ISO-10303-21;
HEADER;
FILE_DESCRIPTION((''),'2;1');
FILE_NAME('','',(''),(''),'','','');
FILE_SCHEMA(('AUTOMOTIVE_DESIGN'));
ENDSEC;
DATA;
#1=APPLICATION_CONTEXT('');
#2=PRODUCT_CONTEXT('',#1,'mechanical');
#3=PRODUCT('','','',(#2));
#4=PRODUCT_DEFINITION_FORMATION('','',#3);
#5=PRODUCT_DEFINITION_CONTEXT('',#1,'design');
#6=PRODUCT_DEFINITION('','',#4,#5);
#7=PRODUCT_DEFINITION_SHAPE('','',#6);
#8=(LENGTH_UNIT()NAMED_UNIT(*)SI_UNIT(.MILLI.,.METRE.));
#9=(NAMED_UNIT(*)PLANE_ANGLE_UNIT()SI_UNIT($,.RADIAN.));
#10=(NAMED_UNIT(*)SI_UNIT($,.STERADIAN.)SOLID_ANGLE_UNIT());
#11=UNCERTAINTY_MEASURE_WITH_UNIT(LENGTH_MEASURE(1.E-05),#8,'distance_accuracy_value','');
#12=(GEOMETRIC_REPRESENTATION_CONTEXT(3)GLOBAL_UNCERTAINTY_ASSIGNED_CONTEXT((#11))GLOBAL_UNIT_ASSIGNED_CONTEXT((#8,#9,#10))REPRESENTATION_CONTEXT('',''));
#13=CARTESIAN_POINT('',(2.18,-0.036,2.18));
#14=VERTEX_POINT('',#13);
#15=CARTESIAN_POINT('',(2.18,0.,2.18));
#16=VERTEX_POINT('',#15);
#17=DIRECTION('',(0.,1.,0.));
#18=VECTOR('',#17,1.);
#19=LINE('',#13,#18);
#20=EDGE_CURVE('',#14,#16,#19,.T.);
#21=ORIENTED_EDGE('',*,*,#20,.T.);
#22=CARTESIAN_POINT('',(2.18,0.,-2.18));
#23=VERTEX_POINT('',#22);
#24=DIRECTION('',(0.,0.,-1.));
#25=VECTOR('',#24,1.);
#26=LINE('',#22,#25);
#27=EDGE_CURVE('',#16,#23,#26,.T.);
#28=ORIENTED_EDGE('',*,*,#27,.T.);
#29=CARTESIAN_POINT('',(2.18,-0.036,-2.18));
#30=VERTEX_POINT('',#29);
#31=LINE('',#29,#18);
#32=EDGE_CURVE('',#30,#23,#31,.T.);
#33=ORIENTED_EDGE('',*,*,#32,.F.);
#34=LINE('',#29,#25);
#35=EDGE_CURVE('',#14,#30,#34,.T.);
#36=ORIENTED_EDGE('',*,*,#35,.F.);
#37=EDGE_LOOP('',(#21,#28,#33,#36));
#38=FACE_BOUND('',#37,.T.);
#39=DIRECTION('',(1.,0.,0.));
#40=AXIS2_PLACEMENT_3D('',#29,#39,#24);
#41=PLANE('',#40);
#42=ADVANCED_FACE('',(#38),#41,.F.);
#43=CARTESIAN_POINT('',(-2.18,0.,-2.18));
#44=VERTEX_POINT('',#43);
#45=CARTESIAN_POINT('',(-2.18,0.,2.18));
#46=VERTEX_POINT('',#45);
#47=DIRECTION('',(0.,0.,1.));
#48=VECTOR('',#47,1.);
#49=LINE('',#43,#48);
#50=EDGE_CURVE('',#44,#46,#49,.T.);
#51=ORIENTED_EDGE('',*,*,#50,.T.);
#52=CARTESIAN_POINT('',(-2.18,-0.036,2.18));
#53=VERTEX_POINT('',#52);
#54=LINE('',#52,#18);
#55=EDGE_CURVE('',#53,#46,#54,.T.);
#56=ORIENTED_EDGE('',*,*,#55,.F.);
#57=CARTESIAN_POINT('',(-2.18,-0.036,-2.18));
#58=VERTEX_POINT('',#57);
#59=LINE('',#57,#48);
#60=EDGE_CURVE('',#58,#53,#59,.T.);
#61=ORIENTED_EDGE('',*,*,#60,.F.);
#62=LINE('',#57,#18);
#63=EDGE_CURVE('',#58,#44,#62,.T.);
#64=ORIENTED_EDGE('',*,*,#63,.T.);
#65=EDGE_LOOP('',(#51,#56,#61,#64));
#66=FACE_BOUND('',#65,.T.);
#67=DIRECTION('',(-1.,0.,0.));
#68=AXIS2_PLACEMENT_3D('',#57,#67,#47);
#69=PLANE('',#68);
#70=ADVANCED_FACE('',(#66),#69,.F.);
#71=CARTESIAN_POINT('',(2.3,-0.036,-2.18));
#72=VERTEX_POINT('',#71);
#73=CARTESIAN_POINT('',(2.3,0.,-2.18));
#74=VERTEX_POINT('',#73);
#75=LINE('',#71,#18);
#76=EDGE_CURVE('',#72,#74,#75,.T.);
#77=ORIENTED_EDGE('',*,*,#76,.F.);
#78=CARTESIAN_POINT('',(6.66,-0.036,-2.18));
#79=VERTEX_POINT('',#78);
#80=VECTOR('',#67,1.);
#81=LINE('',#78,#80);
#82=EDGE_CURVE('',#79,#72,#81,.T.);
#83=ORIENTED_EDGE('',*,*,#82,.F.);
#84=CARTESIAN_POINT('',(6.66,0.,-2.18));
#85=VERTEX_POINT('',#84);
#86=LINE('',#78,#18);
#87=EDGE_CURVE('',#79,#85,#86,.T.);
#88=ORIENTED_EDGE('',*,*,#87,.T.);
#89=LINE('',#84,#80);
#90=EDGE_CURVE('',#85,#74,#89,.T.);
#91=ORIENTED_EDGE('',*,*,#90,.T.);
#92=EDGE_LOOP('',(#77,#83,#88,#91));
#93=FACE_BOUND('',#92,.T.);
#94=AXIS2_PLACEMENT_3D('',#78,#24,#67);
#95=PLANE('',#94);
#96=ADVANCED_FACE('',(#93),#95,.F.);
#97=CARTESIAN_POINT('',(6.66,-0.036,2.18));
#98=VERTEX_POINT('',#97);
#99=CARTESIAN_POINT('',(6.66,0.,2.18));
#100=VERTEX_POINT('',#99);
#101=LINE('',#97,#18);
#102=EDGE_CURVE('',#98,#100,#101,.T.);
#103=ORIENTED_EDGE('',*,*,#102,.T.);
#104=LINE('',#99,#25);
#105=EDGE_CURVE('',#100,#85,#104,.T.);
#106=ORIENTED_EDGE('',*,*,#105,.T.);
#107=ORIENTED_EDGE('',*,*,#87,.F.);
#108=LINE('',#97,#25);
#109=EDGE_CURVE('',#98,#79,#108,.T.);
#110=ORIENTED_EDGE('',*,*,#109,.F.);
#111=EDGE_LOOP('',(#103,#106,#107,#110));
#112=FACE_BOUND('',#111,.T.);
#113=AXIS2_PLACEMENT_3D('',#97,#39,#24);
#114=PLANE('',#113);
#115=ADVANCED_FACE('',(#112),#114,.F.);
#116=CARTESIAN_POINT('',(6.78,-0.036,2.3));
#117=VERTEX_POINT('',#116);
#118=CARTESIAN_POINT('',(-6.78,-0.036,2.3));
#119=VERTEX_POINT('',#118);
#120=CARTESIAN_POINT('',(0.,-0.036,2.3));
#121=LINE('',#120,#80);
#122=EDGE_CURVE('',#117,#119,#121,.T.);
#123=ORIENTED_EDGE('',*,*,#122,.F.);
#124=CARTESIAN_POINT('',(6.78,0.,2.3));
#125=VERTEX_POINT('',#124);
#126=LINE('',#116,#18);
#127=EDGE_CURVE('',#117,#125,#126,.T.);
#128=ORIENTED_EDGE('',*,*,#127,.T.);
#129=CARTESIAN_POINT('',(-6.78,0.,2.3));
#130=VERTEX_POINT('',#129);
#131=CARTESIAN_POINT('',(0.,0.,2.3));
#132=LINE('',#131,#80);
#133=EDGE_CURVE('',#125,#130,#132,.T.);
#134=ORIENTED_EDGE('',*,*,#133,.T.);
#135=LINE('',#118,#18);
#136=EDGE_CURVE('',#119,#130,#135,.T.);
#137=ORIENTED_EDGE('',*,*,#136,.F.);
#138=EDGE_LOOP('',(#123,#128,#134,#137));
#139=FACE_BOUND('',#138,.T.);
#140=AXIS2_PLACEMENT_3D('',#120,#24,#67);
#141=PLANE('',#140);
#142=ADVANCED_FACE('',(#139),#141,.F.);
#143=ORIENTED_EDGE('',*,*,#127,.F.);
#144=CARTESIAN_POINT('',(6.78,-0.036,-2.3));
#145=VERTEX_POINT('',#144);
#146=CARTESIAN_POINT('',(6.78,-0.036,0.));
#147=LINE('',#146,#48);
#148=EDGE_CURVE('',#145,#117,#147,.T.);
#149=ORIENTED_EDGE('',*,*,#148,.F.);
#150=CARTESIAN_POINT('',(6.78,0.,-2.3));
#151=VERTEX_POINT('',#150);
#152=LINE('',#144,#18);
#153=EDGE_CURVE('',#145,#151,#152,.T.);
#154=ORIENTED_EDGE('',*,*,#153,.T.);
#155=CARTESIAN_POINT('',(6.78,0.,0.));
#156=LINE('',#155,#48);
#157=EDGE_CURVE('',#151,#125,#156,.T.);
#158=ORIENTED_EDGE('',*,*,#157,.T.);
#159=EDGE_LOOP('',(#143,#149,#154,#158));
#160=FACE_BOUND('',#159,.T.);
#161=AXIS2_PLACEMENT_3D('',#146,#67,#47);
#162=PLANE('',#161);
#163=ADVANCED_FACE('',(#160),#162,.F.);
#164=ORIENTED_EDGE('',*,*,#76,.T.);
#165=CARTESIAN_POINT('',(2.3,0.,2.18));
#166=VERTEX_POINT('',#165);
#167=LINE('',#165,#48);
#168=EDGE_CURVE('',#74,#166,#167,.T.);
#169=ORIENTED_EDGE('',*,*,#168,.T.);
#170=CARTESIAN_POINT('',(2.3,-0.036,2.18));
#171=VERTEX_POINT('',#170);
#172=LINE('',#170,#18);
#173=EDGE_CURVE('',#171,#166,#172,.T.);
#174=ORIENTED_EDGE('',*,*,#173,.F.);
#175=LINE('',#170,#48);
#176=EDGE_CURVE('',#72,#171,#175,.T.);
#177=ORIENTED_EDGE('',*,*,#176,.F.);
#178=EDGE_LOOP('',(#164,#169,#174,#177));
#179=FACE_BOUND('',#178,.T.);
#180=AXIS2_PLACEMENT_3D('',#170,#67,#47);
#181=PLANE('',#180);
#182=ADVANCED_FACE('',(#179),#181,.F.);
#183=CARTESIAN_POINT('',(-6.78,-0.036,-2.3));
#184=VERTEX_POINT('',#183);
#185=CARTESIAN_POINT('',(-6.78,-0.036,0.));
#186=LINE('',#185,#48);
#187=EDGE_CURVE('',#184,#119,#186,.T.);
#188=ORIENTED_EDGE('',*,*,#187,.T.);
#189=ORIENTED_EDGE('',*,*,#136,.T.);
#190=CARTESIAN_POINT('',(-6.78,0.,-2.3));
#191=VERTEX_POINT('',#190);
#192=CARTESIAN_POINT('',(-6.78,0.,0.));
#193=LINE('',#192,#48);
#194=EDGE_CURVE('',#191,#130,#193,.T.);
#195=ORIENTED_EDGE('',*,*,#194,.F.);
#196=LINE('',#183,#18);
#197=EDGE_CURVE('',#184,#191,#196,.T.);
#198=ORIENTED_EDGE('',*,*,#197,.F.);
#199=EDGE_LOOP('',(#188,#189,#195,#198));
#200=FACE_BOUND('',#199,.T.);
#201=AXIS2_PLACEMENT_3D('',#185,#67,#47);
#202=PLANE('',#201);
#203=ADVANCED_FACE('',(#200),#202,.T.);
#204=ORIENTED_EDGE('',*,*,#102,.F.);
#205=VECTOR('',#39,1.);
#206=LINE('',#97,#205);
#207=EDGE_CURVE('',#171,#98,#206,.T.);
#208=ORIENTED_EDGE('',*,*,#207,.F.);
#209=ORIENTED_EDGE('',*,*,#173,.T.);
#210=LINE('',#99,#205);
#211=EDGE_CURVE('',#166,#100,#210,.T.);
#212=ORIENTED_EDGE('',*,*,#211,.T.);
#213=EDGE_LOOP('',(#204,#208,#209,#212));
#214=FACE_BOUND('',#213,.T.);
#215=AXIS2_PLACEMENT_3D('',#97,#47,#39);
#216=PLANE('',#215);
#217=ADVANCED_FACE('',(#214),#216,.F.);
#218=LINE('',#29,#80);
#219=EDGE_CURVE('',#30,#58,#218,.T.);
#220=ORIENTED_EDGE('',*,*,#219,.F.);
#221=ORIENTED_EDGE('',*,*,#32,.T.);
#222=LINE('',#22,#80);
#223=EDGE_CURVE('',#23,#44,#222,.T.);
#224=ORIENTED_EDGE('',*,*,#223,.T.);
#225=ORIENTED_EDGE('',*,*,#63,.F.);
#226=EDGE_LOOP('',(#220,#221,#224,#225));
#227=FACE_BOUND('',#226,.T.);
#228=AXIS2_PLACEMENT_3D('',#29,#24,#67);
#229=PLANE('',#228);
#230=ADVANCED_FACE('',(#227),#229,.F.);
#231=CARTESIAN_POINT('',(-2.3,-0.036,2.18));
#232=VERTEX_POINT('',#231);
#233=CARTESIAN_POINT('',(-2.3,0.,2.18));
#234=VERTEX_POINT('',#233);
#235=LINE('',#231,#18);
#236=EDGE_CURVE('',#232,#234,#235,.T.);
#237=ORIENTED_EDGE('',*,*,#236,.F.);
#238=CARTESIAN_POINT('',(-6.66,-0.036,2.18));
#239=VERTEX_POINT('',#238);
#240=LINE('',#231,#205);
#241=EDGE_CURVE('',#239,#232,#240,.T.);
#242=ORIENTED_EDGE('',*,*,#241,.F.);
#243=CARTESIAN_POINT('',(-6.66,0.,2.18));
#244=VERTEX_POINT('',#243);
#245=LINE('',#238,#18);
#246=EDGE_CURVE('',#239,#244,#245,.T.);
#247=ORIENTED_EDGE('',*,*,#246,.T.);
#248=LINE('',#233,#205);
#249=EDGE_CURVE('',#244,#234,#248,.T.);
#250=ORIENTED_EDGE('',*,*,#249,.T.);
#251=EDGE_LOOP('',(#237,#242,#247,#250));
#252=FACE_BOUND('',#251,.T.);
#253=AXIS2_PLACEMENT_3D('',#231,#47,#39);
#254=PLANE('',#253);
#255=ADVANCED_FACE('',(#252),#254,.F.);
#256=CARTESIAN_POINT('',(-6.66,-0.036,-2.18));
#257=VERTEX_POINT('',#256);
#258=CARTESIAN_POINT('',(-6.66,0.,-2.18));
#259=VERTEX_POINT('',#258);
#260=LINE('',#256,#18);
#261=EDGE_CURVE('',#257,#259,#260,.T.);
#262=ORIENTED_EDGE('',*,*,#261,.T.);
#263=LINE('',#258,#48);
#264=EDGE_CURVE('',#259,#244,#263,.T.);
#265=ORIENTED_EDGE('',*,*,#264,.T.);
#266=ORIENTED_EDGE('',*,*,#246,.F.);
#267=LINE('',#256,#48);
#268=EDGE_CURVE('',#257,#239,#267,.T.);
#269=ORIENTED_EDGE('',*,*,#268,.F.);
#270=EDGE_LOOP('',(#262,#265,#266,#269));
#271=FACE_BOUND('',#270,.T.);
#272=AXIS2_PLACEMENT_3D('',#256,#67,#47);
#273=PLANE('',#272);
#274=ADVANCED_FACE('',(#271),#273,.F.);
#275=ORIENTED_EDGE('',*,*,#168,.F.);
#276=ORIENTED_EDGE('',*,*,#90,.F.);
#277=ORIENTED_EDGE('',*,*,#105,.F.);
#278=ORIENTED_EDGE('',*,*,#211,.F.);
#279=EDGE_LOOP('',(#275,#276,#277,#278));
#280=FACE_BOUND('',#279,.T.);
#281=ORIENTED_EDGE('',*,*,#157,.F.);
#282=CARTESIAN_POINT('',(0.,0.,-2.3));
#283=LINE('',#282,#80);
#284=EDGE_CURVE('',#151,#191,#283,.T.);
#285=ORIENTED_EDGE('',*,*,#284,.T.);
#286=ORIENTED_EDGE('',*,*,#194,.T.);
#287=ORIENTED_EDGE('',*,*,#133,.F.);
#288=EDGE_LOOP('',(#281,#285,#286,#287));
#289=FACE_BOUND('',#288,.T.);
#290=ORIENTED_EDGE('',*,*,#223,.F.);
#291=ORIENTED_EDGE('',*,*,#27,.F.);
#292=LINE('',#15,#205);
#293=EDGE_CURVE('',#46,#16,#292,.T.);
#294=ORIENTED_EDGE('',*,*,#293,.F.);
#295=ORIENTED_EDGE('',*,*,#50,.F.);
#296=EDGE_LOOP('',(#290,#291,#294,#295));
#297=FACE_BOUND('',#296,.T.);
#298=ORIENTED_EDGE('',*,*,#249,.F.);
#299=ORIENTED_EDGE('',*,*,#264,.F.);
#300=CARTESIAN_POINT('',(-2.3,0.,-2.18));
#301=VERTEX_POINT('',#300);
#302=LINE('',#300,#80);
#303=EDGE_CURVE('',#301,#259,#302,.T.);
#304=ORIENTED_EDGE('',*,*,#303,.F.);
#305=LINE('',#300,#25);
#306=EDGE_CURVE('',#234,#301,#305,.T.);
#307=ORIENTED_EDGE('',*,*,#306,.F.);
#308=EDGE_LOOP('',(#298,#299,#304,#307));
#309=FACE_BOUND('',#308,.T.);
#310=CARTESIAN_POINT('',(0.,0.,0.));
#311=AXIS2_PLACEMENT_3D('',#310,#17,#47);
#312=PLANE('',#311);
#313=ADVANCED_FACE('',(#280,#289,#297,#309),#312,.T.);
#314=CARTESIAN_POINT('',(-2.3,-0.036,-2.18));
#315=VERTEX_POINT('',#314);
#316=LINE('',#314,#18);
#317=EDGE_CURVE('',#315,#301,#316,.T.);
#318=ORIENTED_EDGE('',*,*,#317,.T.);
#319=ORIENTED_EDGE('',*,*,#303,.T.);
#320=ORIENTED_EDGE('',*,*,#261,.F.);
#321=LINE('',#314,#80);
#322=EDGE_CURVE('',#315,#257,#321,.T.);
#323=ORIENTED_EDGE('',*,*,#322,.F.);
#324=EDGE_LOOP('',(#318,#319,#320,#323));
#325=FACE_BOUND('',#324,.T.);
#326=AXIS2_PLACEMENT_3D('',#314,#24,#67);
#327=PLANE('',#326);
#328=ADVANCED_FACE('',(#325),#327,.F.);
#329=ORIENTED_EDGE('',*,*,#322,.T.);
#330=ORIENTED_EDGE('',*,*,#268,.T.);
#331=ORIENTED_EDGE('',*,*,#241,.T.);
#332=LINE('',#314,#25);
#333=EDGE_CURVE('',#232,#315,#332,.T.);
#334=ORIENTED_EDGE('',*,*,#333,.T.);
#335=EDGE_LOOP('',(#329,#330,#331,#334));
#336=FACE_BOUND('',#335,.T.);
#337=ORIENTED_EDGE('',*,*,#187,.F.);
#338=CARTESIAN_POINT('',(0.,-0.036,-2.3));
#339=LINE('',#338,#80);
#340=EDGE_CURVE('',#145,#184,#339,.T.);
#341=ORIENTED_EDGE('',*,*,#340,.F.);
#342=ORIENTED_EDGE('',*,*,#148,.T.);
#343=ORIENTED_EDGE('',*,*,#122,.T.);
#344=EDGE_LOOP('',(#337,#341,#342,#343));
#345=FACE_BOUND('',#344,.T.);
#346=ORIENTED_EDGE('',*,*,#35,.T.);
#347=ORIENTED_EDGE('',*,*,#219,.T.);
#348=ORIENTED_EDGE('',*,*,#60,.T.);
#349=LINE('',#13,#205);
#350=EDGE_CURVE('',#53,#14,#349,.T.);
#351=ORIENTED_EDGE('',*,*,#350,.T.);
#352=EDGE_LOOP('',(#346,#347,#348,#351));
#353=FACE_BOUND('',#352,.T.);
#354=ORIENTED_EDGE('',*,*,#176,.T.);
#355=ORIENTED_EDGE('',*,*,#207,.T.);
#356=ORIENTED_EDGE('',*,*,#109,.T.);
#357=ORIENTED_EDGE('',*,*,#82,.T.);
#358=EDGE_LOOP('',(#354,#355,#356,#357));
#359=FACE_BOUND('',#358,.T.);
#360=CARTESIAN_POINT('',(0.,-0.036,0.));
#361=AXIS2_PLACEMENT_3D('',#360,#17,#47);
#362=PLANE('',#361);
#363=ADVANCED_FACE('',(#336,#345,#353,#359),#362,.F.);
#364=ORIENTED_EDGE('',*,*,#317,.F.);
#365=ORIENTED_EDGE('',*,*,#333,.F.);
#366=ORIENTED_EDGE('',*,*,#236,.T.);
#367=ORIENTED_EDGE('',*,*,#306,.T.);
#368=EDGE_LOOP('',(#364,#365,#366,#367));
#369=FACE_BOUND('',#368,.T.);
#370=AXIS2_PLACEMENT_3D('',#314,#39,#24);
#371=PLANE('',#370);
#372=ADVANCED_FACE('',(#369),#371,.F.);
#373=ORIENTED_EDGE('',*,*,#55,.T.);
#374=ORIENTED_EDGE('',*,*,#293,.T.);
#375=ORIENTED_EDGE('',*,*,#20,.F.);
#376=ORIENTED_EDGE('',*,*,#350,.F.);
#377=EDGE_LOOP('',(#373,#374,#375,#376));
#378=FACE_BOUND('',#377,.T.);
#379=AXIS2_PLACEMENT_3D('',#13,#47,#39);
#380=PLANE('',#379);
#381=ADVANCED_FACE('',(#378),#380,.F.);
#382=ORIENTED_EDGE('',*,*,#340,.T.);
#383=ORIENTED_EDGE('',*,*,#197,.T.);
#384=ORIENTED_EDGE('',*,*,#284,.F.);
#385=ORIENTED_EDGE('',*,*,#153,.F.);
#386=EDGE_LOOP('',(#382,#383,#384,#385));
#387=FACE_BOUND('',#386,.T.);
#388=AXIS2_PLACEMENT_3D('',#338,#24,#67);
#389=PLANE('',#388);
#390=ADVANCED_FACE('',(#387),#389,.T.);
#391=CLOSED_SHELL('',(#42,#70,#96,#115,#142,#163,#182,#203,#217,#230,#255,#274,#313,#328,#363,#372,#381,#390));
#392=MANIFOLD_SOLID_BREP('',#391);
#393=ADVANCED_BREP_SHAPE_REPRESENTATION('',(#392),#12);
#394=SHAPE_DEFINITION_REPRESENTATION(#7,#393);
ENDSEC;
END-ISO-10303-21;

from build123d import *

# Parameters (mm, degrees)
SKETCH1_W         = 13.56
SKETCH1_H         = 4.6
BASE_DEPTH        = 0.036
SKETCH2_W         = 4.36
SKETCH2_H         = 4.36
CUTOUT_BASE_DEPTH = 0.036


with BuildPart() as part:
    # Sketch1 → Base (new body)
    with BuildSketch(Plane(origin=(0, 0, 0), x_dir=(1, 0, 0), z_dir=(0, 1, 0))):
        Rectangle(SKETCH1_W, SKETCH1_H)
    extrude(amount=-BASE_DEPTH)

    # Sketch2 → Cutout Base (cut)
    with BuildSketch(Plane(origin=(0, 0, 0), x_dir=(1, 0, 0), z_dir=(0, 1, 0))):
        Rectangle(SKETCH2_W, SKETCH2_H)
        with Locations((-4.48, 0)):
            Rectangle(SKETCH2_W, SKETCH2_H)
        with Locations((4.48, 0)):
            Rectangle(SKETCH2_W, SKETCH2_H)
    extrude(amount=-CUTOUT_BASE_DEPTH, mode=Mode.SUBTRACT)


solid = part.part
